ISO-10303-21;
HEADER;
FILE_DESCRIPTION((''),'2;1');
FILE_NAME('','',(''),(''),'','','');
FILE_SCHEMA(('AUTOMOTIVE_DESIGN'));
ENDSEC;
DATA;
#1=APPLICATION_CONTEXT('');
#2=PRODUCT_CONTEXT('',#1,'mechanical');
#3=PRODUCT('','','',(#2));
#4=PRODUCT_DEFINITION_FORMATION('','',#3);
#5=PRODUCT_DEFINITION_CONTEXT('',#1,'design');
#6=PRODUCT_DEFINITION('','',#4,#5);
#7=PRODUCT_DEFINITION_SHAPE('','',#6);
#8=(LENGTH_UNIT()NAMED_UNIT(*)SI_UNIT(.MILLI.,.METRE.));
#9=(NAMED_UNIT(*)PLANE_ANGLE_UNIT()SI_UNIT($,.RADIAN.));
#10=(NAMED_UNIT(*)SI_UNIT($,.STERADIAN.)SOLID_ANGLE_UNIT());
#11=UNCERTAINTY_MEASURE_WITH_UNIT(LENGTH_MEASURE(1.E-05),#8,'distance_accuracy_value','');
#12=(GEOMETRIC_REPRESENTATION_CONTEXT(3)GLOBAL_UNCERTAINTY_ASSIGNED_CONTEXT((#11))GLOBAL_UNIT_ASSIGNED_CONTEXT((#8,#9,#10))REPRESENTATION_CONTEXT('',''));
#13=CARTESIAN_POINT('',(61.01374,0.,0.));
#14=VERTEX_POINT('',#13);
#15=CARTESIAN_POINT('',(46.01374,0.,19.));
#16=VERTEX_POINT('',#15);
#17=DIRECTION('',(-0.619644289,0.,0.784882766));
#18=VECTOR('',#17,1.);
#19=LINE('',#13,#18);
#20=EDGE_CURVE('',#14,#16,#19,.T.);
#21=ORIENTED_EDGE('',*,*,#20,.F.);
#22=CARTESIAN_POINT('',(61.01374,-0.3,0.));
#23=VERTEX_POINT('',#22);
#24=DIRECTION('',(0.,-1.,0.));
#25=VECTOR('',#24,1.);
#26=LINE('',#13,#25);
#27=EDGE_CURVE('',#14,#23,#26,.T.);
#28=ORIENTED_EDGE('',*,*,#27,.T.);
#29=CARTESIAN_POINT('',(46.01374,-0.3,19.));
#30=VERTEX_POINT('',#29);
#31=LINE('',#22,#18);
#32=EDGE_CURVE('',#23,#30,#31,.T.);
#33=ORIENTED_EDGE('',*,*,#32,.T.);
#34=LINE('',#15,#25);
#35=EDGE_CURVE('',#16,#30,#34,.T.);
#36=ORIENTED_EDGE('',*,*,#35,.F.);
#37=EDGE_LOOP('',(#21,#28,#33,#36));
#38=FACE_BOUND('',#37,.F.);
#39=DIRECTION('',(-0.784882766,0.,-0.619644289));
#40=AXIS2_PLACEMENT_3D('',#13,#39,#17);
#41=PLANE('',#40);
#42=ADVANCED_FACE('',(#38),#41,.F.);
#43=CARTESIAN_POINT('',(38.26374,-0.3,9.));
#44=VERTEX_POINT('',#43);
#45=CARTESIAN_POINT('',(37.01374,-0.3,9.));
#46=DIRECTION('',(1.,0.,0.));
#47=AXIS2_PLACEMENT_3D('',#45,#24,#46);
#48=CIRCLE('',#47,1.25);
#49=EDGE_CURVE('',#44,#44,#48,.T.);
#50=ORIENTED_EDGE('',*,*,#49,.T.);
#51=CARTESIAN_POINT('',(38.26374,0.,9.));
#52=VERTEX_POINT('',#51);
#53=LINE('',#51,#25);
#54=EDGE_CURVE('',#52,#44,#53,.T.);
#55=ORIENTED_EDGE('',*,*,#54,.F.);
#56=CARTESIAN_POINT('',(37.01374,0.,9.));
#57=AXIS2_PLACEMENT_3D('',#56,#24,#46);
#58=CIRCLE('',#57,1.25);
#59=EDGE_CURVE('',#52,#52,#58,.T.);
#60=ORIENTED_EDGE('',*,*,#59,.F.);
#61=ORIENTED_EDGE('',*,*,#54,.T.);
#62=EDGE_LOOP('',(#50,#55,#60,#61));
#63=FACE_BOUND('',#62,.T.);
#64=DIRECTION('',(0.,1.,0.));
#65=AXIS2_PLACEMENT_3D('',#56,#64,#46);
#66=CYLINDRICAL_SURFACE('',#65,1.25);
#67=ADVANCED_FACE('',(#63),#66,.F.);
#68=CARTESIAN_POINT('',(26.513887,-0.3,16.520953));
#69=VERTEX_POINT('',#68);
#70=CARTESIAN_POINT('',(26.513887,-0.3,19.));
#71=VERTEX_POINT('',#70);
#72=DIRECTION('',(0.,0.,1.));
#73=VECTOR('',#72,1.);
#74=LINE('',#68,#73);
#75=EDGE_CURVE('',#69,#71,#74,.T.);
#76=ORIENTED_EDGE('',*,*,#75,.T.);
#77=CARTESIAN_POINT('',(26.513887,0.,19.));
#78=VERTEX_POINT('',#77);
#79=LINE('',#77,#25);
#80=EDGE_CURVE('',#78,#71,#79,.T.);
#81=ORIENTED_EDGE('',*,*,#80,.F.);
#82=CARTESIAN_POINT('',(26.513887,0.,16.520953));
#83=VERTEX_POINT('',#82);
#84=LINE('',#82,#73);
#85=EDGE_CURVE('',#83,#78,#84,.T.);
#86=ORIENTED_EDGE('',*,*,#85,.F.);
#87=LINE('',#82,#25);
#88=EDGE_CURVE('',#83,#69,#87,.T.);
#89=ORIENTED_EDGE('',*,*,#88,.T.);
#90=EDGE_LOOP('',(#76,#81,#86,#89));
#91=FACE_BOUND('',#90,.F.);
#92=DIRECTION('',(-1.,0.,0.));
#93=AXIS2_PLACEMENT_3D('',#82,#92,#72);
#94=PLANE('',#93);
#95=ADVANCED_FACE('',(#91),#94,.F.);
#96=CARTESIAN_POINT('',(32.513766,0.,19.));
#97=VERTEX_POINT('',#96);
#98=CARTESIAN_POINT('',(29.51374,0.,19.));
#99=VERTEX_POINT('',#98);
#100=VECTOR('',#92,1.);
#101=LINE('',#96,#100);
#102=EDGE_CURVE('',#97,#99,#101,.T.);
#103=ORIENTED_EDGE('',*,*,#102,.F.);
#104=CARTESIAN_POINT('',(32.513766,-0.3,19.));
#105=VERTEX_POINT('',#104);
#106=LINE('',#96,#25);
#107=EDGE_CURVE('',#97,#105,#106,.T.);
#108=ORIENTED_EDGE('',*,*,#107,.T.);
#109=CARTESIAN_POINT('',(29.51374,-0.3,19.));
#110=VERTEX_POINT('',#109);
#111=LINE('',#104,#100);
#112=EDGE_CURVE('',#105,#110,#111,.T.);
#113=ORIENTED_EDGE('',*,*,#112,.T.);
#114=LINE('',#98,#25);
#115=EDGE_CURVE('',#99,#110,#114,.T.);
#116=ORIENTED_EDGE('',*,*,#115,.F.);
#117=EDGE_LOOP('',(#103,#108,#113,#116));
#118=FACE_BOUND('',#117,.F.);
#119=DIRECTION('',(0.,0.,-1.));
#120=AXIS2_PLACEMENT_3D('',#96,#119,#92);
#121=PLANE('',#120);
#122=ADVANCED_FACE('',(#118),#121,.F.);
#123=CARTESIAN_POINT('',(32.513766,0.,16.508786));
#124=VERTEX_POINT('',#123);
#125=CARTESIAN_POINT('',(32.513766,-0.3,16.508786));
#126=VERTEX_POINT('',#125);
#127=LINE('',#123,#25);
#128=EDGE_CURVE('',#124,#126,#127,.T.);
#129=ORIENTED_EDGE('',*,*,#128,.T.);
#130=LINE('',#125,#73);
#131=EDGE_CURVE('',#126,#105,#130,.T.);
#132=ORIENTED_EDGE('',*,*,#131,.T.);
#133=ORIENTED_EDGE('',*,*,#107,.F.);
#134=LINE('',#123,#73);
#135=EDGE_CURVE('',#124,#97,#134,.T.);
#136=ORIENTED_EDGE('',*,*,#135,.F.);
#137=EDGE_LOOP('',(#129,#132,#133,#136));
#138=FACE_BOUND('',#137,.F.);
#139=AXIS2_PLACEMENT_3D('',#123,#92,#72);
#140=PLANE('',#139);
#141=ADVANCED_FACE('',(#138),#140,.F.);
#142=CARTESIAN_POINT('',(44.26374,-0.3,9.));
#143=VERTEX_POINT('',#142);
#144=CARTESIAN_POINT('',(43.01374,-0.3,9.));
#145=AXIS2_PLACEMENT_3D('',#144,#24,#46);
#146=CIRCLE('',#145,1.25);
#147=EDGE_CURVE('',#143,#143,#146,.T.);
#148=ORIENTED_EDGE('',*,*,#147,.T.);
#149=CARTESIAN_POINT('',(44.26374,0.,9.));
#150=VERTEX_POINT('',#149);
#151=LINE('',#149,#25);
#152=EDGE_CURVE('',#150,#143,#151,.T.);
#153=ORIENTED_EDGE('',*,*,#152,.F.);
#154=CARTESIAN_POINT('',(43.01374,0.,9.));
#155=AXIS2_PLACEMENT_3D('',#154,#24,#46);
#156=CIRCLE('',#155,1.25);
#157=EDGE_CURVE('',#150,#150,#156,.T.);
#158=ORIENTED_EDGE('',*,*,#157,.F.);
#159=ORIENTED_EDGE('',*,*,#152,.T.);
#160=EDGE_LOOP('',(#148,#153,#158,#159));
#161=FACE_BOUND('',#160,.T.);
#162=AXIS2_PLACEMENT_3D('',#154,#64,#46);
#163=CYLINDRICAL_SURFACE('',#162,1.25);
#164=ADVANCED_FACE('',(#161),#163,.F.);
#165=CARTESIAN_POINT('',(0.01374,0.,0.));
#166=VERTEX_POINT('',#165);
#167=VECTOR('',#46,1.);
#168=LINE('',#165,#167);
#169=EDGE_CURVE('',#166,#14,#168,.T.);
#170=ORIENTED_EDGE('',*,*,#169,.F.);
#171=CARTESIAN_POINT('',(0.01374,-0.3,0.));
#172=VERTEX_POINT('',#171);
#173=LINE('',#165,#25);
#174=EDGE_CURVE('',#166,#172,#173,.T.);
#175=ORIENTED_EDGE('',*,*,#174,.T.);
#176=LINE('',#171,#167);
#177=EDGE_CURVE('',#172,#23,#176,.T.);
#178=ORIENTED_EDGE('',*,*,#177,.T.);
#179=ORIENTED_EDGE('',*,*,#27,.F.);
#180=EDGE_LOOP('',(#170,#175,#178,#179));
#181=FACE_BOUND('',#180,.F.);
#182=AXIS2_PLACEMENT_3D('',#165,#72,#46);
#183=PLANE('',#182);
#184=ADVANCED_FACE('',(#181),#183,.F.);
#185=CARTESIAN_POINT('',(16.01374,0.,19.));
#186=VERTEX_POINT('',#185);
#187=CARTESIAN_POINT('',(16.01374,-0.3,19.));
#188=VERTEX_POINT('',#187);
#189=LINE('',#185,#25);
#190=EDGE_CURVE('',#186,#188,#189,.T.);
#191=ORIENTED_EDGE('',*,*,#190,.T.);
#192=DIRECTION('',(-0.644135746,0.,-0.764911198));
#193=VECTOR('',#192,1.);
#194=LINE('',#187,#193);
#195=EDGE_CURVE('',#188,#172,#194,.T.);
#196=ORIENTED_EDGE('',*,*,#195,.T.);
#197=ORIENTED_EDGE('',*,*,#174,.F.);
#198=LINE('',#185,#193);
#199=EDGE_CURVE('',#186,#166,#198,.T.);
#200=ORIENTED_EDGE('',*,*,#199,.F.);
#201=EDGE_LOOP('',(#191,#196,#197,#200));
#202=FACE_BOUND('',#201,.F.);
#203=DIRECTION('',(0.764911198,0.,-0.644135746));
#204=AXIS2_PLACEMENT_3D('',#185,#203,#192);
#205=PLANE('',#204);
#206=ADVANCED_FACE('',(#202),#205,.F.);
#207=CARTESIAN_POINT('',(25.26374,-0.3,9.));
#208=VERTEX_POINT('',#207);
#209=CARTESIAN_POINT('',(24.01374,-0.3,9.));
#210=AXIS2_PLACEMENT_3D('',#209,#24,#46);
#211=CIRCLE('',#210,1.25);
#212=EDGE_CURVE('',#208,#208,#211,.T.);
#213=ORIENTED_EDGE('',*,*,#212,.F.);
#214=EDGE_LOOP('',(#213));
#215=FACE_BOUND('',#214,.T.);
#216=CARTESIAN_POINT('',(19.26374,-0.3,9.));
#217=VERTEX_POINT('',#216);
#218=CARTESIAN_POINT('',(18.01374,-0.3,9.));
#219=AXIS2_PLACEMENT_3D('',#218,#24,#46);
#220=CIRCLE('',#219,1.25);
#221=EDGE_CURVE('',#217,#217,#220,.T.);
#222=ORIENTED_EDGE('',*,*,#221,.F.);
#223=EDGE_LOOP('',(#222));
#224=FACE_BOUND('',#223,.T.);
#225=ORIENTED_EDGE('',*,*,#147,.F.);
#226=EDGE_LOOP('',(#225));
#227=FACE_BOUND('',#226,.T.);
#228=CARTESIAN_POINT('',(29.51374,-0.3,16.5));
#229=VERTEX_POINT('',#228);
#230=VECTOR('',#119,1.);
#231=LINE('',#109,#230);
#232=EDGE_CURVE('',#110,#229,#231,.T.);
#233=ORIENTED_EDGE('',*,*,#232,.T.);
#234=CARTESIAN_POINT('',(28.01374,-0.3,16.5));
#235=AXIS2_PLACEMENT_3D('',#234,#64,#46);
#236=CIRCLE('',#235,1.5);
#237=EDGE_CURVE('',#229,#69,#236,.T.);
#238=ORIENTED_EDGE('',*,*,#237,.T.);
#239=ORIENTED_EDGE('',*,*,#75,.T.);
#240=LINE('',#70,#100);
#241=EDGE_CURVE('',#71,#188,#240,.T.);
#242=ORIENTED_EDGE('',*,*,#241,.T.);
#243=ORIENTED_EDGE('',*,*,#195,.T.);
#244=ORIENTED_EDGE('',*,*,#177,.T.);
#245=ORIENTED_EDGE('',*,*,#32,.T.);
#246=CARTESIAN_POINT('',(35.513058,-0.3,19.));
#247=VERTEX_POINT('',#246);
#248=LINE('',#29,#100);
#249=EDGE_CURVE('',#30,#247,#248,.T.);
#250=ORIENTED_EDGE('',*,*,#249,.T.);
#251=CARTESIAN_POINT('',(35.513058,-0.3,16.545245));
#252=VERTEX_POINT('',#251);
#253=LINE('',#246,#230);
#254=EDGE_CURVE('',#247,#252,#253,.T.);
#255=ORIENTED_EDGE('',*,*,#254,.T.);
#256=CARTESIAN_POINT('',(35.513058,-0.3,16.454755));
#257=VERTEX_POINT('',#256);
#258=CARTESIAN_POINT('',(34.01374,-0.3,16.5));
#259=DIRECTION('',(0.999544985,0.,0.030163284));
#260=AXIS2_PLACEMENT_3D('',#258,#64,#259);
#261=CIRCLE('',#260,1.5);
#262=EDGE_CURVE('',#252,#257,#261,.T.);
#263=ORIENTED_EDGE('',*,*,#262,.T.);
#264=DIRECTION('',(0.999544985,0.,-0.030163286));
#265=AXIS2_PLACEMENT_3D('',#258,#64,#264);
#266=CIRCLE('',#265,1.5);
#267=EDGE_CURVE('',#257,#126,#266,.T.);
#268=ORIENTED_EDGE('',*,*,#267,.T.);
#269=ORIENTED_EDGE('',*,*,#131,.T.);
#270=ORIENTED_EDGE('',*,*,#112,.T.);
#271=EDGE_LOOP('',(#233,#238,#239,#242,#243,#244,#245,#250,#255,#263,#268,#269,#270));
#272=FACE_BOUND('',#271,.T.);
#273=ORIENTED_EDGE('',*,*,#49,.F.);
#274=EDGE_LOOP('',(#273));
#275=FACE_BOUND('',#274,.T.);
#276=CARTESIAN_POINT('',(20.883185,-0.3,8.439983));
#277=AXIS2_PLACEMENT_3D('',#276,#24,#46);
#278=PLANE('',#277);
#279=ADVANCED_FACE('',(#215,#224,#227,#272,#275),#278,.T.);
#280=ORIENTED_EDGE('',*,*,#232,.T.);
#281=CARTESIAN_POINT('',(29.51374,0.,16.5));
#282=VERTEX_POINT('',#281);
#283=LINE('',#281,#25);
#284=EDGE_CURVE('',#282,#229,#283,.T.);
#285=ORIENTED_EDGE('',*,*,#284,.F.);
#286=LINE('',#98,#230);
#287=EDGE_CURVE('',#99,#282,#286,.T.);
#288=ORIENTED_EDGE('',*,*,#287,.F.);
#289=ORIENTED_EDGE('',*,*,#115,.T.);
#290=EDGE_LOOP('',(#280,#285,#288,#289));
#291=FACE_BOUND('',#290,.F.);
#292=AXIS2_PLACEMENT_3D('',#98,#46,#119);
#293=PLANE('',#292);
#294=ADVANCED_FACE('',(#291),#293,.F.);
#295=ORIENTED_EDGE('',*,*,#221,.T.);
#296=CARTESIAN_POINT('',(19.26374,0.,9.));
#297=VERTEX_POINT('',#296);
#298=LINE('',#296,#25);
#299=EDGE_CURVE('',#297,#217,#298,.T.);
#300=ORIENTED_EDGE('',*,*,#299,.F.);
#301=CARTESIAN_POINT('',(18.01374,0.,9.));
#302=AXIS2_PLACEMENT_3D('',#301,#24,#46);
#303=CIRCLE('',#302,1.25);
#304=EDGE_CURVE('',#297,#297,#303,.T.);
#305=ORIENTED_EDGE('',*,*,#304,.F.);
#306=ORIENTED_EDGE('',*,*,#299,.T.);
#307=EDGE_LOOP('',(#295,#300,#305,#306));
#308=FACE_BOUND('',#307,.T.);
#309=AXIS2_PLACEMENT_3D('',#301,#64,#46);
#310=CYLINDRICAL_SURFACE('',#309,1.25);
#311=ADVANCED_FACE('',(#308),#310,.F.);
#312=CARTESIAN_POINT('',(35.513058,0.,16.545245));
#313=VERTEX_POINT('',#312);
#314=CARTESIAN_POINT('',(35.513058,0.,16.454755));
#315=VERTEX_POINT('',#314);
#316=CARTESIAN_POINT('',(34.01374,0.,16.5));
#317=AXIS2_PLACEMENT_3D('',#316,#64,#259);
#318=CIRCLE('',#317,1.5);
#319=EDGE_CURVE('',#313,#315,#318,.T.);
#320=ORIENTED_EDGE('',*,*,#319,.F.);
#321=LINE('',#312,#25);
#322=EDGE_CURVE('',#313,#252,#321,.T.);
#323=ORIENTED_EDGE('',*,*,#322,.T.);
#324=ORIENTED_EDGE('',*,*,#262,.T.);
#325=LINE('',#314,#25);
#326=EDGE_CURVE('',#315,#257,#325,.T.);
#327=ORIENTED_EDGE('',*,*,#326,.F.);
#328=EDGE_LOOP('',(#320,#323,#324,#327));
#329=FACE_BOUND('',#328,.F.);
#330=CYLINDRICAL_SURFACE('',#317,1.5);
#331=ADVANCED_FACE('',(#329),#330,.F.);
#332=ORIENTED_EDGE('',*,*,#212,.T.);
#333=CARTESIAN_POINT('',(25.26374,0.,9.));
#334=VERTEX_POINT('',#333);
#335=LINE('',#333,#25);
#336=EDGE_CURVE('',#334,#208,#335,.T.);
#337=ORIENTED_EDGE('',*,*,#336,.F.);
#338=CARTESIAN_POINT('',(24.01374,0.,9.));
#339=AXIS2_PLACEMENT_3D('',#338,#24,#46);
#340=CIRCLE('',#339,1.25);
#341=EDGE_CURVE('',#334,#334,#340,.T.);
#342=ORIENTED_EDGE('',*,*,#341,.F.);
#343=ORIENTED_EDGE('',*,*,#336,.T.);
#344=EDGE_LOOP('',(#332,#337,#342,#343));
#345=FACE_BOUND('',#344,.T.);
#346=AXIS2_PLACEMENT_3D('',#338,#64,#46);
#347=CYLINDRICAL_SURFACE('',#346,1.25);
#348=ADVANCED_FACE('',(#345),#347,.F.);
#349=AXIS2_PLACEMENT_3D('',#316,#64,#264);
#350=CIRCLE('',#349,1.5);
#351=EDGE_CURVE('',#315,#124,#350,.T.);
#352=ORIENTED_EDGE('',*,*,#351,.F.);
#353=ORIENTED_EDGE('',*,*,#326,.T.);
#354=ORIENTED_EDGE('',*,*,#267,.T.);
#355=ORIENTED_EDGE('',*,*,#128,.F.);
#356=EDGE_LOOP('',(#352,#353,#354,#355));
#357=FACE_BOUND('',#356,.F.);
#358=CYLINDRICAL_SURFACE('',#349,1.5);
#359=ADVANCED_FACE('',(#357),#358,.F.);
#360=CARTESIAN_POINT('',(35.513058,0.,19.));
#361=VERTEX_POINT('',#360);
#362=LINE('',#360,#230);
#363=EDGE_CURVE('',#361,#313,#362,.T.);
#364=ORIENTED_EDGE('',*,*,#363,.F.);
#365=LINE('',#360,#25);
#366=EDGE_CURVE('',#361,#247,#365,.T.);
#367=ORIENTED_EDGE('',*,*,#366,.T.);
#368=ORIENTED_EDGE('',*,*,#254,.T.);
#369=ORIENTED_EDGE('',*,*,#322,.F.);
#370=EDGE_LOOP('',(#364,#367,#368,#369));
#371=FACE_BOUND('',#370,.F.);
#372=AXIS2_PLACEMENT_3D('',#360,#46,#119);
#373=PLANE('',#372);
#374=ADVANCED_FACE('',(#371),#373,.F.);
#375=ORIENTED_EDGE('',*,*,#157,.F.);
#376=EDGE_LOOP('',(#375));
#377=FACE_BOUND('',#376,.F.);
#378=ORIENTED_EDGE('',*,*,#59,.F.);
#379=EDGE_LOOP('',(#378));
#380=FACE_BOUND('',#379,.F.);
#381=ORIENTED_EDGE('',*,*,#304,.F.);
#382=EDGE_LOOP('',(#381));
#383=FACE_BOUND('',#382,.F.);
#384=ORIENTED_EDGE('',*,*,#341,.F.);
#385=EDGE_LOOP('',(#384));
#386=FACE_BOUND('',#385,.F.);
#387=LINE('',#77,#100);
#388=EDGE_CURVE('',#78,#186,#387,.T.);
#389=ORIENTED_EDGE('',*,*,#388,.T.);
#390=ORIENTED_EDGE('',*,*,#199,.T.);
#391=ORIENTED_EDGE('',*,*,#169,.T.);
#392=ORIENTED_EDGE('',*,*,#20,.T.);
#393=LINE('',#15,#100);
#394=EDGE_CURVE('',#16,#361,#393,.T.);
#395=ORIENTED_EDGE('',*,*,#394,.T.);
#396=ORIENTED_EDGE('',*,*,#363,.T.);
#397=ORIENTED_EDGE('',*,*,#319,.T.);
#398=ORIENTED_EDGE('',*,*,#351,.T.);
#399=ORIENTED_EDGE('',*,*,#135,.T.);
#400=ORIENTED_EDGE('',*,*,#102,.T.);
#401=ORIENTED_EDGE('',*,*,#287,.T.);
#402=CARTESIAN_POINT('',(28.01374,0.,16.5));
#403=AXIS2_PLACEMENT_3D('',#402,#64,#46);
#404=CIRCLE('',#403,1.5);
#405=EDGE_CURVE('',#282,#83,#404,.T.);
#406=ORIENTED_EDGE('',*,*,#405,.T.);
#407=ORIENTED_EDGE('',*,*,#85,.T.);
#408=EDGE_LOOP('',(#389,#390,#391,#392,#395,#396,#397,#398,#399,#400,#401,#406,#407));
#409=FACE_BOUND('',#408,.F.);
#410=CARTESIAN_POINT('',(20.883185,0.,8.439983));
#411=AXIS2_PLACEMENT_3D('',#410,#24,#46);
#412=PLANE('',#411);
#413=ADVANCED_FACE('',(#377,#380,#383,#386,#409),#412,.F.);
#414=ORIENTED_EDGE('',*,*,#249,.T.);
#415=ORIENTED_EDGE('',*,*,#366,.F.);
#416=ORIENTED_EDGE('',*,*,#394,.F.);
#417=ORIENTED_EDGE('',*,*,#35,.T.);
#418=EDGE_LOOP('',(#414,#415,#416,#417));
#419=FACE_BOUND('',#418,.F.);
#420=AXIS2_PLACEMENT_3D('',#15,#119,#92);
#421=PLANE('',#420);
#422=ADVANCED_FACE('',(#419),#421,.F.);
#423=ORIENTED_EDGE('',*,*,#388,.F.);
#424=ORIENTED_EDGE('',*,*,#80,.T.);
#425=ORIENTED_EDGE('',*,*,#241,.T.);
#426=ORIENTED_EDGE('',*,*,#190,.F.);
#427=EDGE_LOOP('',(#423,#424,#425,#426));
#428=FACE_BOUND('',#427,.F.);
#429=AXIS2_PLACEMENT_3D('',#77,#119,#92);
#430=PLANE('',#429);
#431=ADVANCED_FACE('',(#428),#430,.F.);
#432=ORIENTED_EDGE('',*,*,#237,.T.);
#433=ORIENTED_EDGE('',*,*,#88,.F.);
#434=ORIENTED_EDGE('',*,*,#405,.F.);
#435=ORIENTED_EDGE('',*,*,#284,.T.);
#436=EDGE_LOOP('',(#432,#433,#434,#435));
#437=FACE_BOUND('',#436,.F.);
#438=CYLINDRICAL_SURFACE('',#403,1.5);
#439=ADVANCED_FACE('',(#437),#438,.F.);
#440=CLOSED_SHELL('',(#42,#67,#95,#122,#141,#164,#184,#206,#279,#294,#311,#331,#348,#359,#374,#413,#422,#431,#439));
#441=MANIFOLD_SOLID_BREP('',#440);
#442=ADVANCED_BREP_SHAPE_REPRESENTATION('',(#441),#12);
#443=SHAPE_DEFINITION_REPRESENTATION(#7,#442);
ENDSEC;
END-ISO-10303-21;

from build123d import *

# Parameters (mm, degrees)
F0_R     = 1.25
F1_DEPTH = 0.3


with BuildPart() as f1:
    # F0 (on Front) → F1 (new body)
    with BuildSketch(Plane.XZ):
        with BuildLine():
            Line((16.0137404315, 19), (0.0137404315, 0))
            Line((0.0137404315, 0), (26.5138867844, 0))
            Line((26.5138867844, 0), (35.5130579084, 0))
            Line((35.5130579084, 0), (35.5130579084, 16.4547550706))
            ThreePointArc((35.5130579084, 16.4547550706), (33.9867227769, 15.0002433376), (32.5137661653, 16.5087863881))
            Line((32.5137661653, 16.5087863881), (32.5137661653, 19))
            Line((32.5137661653, 19), (29.5137404315, 19))
            Line((29.5137404315, 19), (29.5137404315, 16.5))
            ThreePointArc((29.5137404315, 16.5), (28.0032635672, 15.0000365887), (26.5138867844, 16.5209532174))
            Line((26.5138867844, 16.5209532174), (26.5138867844, 19))
            Line((26.5138867844, 19), (16.0137404315, 19))
        make_face()
        with Locations((18.0137404315, 9)):
            Circle(F0_R, mode=Mode.SUBTRACT)
        with Locations((24.0137404315, 9)):
            Circle(F0_R, mode=Mode.SUBTRACT)
        with BuildLine():
            Line((35.5130579084, 16.4547550706), (35.5130579084, 0))
            Line((35.5130579084, 0), (61.0137404315, 0))
            Line((61.0137404315, 0), (46.0137404315, 19))
            Line((46.0137404315, 19), (35.5130579084, 19))
            Line((35.5130579084, 19), (35.5130579084, 16.5452449294))
            ThreePointArc((35.5130579084, 16.5452449294), (35.5137404315, 16.5), (35.5130579084, 16.4547550706))
        make_face()
        with Locations((37.0137404315, 9)):
            Circle(F0_R, mode=Mode.SUBTRACT)
        with Locations((43.0137404315, 9)):
            Circle(F0_R, mode=Mode.SUBTRACT)
    extrude(amount=F1_DEPTH)


solid = f1.part
